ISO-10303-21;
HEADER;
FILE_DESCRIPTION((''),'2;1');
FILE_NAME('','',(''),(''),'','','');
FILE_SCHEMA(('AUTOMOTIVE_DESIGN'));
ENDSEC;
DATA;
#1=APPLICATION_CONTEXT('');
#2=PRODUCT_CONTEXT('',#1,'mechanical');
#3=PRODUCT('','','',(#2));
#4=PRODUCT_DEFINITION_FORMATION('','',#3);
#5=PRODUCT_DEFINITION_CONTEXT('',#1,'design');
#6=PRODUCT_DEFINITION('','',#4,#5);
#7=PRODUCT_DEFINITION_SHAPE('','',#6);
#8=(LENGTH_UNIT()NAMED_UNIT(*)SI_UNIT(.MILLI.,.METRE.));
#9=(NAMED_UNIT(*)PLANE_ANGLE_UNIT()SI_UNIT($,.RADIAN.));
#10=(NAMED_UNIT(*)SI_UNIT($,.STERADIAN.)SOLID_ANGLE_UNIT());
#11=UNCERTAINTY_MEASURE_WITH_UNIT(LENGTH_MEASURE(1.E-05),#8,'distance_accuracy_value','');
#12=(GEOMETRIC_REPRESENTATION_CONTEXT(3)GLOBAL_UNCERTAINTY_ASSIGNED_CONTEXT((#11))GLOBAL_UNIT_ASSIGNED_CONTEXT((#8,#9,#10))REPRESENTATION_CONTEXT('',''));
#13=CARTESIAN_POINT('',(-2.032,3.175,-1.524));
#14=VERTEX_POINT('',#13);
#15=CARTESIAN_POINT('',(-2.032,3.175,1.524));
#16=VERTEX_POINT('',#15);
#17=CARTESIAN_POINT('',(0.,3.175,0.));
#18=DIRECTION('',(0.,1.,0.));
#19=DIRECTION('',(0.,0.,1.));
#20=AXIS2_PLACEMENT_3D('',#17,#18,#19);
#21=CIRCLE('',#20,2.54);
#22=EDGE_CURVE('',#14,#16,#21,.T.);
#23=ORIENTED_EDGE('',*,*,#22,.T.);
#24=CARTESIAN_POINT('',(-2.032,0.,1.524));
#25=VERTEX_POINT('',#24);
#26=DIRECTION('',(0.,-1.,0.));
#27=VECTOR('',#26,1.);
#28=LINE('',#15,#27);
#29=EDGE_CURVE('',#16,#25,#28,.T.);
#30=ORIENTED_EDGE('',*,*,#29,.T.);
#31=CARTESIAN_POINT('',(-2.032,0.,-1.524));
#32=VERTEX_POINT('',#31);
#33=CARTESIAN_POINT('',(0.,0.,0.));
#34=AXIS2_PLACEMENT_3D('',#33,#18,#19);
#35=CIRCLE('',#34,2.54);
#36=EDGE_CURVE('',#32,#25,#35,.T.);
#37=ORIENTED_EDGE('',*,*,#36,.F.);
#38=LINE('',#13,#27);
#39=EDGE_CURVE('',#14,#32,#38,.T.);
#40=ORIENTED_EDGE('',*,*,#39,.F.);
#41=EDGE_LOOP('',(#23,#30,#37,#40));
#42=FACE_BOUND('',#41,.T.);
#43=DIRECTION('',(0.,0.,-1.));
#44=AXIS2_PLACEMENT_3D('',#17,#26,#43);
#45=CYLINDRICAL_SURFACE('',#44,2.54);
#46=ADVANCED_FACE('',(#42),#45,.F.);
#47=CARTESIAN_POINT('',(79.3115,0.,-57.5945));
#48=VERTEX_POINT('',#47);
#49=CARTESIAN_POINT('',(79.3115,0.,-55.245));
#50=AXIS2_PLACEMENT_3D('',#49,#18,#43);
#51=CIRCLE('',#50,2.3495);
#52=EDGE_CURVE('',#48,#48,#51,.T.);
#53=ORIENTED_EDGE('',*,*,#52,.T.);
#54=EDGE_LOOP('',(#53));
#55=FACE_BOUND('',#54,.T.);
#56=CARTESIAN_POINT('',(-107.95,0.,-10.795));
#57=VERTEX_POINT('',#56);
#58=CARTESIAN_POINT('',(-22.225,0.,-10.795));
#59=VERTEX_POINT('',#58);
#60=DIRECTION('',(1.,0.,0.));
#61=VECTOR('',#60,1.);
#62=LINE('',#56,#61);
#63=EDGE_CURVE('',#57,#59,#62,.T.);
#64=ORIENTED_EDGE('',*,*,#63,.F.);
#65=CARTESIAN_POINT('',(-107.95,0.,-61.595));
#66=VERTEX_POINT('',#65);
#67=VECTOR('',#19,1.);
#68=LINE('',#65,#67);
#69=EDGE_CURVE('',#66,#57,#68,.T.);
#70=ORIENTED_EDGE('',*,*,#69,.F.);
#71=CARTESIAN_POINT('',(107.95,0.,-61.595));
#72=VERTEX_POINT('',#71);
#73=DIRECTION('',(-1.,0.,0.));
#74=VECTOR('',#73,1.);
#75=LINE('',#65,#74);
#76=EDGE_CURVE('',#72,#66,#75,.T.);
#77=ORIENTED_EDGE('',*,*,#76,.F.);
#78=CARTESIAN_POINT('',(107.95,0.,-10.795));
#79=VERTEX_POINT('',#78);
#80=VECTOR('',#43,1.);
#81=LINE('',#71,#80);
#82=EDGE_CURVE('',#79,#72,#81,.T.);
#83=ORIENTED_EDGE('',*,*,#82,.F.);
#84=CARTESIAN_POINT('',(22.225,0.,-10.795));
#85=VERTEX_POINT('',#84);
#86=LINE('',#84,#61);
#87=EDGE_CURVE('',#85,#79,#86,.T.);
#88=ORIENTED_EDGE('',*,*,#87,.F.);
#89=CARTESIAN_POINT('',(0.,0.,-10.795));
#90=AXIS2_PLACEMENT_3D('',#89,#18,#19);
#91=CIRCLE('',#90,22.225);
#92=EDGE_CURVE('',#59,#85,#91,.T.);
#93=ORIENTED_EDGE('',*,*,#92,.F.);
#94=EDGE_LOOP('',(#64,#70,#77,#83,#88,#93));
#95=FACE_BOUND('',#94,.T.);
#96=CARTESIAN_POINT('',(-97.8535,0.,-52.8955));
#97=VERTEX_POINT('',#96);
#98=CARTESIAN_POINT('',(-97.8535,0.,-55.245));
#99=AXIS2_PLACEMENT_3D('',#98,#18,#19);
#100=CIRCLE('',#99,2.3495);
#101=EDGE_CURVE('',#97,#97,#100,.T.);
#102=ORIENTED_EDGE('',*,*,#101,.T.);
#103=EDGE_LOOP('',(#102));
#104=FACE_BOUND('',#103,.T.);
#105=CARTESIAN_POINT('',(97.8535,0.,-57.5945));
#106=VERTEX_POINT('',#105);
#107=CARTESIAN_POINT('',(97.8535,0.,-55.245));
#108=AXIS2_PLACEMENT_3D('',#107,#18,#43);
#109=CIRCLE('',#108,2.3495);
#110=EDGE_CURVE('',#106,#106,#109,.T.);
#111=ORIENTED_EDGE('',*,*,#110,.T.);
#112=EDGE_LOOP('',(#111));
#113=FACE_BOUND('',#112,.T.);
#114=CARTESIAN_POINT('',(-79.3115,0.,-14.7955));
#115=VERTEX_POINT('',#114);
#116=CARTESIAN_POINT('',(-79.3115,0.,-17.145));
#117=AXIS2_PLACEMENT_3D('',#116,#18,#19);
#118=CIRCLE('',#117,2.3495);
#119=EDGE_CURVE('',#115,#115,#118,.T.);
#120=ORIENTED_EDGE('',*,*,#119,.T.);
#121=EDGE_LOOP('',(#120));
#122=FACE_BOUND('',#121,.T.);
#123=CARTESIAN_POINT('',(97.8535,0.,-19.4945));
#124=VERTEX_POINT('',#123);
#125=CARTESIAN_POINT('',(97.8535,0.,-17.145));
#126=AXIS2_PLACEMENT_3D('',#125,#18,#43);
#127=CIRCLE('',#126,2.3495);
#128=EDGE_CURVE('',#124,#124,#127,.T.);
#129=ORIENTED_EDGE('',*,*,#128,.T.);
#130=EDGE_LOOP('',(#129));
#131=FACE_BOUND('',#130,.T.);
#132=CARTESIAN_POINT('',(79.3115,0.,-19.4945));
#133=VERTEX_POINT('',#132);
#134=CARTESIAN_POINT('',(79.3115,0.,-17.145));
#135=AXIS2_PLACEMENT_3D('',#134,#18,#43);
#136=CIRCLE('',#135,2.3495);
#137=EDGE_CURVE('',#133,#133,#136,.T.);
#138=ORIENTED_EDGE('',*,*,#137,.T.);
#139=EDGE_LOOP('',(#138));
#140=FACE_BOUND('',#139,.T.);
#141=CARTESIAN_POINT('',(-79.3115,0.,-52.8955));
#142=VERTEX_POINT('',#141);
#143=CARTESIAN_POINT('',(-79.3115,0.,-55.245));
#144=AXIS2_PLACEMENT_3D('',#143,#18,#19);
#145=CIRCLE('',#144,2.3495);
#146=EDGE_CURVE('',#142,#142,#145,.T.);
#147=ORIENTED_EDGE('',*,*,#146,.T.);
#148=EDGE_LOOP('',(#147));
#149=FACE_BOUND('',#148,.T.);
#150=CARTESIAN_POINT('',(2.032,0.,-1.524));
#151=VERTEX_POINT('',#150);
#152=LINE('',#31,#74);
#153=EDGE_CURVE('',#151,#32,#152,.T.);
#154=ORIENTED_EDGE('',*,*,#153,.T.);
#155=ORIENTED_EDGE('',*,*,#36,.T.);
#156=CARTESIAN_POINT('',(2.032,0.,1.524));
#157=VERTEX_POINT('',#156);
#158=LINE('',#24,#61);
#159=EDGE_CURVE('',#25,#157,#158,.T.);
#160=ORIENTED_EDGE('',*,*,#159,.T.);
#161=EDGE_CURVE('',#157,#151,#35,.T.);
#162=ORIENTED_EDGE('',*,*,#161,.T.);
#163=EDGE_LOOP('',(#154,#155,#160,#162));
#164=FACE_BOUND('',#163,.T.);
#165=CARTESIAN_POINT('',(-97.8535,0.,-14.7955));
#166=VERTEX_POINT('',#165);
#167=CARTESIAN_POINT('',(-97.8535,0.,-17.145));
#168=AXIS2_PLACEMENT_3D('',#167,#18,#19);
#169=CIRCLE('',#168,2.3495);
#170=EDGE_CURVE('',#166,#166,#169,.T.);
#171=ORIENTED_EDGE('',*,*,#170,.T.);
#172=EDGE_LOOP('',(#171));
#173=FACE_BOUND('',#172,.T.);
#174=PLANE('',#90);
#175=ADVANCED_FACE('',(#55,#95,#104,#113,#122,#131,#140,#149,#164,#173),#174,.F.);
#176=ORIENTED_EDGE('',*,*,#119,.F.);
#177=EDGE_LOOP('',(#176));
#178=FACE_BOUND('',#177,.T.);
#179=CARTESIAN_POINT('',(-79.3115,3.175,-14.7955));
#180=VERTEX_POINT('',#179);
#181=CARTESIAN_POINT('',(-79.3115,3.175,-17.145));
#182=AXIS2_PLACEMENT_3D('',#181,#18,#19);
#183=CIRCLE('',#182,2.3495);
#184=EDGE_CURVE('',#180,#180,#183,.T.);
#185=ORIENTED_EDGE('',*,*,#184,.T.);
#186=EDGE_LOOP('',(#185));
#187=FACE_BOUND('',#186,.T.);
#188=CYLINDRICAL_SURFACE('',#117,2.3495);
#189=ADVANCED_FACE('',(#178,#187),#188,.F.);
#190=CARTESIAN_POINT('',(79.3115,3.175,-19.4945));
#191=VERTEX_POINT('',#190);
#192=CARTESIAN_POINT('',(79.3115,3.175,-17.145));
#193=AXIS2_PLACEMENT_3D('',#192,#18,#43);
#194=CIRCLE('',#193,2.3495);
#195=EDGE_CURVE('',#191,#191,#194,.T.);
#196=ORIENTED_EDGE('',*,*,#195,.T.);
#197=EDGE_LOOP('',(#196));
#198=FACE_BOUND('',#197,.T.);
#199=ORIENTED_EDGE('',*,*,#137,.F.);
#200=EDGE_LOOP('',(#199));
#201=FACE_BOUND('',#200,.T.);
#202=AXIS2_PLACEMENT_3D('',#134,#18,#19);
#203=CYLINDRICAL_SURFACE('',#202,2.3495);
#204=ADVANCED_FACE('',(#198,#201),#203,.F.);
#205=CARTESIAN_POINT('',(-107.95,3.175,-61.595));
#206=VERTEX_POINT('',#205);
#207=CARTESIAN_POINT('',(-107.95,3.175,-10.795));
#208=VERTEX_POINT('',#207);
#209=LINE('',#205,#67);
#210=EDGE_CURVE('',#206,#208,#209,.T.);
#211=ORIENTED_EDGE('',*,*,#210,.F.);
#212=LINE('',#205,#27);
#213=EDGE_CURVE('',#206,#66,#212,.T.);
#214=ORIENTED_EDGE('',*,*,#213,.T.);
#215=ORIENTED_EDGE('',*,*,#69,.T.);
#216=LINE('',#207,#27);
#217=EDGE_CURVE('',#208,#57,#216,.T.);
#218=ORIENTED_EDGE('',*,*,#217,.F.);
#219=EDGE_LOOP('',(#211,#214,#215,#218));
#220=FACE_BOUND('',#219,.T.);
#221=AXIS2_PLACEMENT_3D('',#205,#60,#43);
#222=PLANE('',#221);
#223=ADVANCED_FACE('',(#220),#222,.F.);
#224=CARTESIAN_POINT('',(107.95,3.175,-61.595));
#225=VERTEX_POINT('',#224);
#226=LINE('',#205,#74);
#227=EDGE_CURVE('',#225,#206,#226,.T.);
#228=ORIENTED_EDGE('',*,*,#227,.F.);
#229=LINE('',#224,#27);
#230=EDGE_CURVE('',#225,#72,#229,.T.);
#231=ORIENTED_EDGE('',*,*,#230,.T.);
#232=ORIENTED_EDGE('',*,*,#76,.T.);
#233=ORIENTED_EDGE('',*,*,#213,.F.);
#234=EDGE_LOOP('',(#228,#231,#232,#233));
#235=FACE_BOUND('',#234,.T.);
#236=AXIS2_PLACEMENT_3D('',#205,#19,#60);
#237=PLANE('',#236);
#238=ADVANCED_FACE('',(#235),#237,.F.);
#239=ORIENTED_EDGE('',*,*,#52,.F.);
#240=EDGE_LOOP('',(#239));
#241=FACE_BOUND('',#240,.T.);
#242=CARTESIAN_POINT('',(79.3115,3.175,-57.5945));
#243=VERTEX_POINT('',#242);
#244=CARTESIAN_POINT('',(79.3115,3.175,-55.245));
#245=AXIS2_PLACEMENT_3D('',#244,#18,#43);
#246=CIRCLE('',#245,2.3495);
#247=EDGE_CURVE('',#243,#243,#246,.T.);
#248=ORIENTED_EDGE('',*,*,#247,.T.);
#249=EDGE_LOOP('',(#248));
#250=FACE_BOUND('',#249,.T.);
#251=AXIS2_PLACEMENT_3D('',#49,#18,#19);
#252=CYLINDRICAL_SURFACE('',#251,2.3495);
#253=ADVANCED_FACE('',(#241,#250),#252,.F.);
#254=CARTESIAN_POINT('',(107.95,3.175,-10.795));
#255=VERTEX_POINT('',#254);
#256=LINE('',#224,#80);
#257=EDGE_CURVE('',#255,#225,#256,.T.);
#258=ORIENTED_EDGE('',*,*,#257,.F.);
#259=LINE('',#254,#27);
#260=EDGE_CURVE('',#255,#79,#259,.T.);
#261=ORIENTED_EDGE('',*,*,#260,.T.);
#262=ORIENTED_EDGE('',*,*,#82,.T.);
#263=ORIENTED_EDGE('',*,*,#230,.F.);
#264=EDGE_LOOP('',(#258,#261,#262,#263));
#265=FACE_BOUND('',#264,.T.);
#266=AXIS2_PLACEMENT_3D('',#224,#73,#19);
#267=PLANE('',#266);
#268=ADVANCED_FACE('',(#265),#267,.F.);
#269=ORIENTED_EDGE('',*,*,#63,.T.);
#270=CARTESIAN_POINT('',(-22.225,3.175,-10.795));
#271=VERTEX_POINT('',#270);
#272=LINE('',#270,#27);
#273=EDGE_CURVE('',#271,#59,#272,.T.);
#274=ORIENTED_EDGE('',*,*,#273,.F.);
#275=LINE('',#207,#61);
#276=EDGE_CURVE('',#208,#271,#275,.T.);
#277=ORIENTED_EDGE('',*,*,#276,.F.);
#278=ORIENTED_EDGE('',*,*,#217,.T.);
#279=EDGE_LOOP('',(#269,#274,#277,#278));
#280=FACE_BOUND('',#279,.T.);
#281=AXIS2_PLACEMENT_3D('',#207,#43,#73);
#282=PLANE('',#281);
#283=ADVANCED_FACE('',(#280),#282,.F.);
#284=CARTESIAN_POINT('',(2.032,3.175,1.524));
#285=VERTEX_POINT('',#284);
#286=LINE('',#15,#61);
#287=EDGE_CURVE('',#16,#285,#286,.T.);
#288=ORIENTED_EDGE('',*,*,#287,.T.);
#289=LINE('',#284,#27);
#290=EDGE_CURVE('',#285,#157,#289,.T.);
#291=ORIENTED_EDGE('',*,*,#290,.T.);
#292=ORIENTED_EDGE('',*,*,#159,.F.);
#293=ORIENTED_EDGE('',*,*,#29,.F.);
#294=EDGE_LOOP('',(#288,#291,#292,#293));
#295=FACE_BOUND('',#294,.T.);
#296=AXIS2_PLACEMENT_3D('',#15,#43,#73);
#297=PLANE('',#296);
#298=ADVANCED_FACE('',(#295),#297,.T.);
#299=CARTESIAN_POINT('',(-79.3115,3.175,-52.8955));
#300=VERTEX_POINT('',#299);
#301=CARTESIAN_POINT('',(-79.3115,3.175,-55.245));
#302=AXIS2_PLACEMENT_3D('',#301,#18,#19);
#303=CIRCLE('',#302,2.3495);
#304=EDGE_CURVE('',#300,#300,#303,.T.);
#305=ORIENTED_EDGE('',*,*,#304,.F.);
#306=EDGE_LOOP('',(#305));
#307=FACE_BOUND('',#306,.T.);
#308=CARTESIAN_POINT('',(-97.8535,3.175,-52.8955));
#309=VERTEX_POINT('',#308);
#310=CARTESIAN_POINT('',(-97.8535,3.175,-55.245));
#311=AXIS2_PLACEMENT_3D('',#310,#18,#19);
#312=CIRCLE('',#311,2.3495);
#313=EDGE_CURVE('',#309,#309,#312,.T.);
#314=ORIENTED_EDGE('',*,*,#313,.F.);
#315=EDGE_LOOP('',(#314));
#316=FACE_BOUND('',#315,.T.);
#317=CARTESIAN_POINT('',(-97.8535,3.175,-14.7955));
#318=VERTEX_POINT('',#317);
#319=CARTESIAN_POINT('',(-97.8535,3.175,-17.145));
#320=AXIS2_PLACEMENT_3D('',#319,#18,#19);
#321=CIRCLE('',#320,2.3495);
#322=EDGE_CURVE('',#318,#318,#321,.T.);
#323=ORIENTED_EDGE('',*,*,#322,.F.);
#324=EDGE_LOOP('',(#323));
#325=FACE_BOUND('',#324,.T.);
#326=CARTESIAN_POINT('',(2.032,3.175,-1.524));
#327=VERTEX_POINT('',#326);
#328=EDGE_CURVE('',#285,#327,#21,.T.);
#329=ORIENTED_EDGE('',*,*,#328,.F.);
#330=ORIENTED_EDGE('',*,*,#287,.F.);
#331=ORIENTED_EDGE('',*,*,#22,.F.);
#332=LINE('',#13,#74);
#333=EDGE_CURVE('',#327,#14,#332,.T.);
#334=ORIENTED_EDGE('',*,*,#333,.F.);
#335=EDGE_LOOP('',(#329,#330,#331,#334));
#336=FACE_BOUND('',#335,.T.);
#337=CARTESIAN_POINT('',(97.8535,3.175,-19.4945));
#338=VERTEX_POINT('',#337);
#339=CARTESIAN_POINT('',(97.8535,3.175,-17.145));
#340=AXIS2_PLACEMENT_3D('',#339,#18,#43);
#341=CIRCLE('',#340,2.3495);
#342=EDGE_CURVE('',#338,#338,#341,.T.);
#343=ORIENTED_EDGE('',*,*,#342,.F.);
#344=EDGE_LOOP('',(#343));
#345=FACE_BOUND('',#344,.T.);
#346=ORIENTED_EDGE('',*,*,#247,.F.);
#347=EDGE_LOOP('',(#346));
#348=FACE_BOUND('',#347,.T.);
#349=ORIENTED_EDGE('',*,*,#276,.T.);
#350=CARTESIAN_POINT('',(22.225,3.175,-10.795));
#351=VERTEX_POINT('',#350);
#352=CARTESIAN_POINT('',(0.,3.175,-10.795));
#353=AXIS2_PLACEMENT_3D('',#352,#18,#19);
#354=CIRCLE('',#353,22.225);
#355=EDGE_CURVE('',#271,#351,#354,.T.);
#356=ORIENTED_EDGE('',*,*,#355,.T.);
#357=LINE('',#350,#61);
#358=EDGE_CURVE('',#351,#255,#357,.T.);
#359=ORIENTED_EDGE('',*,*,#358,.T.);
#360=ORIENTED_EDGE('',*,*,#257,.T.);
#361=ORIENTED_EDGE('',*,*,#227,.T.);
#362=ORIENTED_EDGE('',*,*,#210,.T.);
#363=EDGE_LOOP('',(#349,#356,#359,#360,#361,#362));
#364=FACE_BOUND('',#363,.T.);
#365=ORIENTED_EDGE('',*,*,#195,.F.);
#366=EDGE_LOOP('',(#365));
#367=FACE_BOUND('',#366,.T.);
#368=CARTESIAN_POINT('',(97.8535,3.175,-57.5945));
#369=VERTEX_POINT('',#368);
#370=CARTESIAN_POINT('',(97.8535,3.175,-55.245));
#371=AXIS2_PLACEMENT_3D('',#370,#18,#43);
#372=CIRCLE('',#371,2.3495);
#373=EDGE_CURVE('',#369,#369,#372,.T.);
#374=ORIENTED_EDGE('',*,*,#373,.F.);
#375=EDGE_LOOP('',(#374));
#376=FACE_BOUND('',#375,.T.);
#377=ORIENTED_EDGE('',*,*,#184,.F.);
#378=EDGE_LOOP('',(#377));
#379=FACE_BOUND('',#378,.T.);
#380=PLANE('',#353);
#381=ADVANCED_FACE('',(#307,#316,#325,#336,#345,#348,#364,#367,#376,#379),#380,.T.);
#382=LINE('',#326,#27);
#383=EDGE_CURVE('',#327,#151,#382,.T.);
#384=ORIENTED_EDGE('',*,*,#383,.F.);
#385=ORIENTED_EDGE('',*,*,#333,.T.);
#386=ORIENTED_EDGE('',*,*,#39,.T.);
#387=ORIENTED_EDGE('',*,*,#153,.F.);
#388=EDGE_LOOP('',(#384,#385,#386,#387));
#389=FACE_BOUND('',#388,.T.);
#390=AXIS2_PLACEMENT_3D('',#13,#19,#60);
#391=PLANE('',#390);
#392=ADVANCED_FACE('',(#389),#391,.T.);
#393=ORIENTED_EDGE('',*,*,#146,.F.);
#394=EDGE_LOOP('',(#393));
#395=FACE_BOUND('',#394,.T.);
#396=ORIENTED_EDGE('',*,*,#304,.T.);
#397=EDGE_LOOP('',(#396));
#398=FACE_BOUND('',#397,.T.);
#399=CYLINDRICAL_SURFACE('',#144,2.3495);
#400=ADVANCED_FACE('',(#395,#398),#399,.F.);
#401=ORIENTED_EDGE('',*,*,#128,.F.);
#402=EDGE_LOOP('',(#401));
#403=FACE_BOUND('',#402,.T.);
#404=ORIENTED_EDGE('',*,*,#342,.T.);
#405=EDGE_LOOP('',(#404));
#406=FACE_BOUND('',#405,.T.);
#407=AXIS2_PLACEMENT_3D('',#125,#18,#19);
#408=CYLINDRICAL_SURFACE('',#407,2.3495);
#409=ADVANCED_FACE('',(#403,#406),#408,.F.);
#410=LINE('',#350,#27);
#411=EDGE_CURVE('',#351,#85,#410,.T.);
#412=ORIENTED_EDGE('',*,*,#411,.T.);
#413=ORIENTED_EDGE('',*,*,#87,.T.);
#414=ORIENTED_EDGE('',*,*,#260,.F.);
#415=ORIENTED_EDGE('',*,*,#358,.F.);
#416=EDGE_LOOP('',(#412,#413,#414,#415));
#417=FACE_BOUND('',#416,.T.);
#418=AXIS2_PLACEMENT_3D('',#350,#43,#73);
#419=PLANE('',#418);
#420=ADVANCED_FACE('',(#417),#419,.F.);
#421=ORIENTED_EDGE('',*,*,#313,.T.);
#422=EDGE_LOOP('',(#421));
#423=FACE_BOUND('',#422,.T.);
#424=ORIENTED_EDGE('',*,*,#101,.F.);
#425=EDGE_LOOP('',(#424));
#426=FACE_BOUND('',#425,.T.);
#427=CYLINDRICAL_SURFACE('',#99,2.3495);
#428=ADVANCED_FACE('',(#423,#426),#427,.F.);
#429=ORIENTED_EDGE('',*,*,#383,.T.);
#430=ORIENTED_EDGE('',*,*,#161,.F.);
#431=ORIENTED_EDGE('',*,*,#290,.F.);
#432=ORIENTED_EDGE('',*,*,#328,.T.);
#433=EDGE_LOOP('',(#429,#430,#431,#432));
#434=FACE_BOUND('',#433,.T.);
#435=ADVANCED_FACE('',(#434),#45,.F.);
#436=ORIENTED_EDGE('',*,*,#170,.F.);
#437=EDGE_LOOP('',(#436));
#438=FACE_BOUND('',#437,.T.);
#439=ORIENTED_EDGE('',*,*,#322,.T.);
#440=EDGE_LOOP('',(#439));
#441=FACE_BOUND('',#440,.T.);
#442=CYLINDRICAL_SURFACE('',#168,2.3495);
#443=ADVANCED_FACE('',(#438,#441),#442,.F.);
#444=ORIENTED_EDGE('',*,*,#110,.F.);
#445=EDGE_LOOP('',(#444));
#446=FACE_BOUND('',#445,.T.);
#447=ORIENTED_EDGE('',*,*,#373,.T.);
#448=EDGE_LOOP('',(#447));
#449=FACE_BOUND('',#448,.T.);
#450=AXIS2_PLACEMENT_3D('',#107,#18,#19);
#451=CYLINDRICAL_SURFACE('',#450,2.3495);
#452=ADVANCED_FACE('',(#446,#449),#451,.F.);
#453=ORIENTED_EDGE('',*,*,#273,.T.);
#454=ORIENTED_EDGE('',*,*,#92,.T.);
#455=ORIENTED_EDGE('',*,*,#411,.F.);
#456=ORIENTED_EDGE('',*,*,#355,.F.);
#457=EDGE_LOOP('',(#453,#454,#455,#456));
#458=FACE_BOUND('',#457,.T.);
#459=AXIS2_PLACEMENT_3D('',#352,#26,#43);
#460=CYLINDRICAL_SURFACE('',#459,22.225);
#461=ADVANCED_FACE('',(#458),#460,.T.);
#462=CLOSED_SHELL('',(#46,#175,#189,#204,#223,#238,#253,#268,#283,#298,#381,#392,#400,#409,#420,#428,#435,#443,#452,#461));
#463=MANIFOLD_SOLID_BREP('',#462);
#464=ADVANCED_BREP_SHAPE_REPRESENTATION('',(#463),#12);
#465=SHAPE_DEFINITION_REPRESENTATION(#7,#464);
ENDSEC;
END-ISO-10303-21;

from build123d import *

# Parameters (mm, degrees)
BOSS_EXTRUDE1_DEPTH = 3.175
SKETCH2_R           = 2.3495
CUT_EXTRUDE1_DEPTH  = 4.175


with BuildPart() as part:
    # Sketch1 → Boss-Extrude1 (new body)
    with BuildSketch(Plane(origin=(0, 0, 0), x_dir=(1, 0, 0), z_dir=(0, 1, 0))):
        with BuildLine():
            Line((-107.95, 61.595), (107.95, 61.595))
            Line((107.95, 61.595), (107.95, 10.795))
            Line((107.95, 10.795), (22.225, 10.795))
            ThreePointArc((22.225, 10.795), (0, -11.43), (-22.225, 10.795))
            Line((-22.225, 10.795), (-107.95, 10.795))
            Line((-107.95, 10.795), (-107.95, 61.595))
        make_face()
        with BuildLine():
            Line((-2.032, 1.524), (2.032, 1.524))
            ThreePointArc((2.032, 1.524), (2.54, 0), (2.032, -1.524))
            Line((2.032, -1.524), (-2.032, -1.524))
            ThreePointArc((-2.032, -1.524), (-2.54, 0), (-2.032, 1.524))
        make_face(mode=Mode.SUBTRACT)
    extrude(amount=BOSS_EXTRUDE1_DEPTH)

    # Sketch2 → Cut-Extrude1 (cut, through all)
    with BuildSketch(Plane(origin=(0, 3.175, 0), x_dir=(1, 0, 0), z_dir=(0, 1, 0))):
        with Locations((-97.8535, 55.245)):
            Circle(SKETCH2_R)
        with Locations((-97.8535, 17.145)):
            Circle(SKETCH2_R)
        with Locations((-79.3115, 17.145)):
            Circle(SKETCH2_R)
        with Locations((-79.3115, 55.245)):
            Circle(SKETCH2_R)
        with Locations((79.3115, 55.245)):
            Circle(SKETCH2_R)
        with Locations((79.3115, 17.145)):
            Circle(SKETCH2_R)
        with Locations((97.8535, 17.145)):
            Circle(SKETCH2_R)
        with Locations((97.8535, 55.245)):
            Circle(SKETCH2_R)
    extrude(amount=-CUT_EXTRUDE1_DEPTH, mode=Mode.SUBTRACT)


solid = part.part
